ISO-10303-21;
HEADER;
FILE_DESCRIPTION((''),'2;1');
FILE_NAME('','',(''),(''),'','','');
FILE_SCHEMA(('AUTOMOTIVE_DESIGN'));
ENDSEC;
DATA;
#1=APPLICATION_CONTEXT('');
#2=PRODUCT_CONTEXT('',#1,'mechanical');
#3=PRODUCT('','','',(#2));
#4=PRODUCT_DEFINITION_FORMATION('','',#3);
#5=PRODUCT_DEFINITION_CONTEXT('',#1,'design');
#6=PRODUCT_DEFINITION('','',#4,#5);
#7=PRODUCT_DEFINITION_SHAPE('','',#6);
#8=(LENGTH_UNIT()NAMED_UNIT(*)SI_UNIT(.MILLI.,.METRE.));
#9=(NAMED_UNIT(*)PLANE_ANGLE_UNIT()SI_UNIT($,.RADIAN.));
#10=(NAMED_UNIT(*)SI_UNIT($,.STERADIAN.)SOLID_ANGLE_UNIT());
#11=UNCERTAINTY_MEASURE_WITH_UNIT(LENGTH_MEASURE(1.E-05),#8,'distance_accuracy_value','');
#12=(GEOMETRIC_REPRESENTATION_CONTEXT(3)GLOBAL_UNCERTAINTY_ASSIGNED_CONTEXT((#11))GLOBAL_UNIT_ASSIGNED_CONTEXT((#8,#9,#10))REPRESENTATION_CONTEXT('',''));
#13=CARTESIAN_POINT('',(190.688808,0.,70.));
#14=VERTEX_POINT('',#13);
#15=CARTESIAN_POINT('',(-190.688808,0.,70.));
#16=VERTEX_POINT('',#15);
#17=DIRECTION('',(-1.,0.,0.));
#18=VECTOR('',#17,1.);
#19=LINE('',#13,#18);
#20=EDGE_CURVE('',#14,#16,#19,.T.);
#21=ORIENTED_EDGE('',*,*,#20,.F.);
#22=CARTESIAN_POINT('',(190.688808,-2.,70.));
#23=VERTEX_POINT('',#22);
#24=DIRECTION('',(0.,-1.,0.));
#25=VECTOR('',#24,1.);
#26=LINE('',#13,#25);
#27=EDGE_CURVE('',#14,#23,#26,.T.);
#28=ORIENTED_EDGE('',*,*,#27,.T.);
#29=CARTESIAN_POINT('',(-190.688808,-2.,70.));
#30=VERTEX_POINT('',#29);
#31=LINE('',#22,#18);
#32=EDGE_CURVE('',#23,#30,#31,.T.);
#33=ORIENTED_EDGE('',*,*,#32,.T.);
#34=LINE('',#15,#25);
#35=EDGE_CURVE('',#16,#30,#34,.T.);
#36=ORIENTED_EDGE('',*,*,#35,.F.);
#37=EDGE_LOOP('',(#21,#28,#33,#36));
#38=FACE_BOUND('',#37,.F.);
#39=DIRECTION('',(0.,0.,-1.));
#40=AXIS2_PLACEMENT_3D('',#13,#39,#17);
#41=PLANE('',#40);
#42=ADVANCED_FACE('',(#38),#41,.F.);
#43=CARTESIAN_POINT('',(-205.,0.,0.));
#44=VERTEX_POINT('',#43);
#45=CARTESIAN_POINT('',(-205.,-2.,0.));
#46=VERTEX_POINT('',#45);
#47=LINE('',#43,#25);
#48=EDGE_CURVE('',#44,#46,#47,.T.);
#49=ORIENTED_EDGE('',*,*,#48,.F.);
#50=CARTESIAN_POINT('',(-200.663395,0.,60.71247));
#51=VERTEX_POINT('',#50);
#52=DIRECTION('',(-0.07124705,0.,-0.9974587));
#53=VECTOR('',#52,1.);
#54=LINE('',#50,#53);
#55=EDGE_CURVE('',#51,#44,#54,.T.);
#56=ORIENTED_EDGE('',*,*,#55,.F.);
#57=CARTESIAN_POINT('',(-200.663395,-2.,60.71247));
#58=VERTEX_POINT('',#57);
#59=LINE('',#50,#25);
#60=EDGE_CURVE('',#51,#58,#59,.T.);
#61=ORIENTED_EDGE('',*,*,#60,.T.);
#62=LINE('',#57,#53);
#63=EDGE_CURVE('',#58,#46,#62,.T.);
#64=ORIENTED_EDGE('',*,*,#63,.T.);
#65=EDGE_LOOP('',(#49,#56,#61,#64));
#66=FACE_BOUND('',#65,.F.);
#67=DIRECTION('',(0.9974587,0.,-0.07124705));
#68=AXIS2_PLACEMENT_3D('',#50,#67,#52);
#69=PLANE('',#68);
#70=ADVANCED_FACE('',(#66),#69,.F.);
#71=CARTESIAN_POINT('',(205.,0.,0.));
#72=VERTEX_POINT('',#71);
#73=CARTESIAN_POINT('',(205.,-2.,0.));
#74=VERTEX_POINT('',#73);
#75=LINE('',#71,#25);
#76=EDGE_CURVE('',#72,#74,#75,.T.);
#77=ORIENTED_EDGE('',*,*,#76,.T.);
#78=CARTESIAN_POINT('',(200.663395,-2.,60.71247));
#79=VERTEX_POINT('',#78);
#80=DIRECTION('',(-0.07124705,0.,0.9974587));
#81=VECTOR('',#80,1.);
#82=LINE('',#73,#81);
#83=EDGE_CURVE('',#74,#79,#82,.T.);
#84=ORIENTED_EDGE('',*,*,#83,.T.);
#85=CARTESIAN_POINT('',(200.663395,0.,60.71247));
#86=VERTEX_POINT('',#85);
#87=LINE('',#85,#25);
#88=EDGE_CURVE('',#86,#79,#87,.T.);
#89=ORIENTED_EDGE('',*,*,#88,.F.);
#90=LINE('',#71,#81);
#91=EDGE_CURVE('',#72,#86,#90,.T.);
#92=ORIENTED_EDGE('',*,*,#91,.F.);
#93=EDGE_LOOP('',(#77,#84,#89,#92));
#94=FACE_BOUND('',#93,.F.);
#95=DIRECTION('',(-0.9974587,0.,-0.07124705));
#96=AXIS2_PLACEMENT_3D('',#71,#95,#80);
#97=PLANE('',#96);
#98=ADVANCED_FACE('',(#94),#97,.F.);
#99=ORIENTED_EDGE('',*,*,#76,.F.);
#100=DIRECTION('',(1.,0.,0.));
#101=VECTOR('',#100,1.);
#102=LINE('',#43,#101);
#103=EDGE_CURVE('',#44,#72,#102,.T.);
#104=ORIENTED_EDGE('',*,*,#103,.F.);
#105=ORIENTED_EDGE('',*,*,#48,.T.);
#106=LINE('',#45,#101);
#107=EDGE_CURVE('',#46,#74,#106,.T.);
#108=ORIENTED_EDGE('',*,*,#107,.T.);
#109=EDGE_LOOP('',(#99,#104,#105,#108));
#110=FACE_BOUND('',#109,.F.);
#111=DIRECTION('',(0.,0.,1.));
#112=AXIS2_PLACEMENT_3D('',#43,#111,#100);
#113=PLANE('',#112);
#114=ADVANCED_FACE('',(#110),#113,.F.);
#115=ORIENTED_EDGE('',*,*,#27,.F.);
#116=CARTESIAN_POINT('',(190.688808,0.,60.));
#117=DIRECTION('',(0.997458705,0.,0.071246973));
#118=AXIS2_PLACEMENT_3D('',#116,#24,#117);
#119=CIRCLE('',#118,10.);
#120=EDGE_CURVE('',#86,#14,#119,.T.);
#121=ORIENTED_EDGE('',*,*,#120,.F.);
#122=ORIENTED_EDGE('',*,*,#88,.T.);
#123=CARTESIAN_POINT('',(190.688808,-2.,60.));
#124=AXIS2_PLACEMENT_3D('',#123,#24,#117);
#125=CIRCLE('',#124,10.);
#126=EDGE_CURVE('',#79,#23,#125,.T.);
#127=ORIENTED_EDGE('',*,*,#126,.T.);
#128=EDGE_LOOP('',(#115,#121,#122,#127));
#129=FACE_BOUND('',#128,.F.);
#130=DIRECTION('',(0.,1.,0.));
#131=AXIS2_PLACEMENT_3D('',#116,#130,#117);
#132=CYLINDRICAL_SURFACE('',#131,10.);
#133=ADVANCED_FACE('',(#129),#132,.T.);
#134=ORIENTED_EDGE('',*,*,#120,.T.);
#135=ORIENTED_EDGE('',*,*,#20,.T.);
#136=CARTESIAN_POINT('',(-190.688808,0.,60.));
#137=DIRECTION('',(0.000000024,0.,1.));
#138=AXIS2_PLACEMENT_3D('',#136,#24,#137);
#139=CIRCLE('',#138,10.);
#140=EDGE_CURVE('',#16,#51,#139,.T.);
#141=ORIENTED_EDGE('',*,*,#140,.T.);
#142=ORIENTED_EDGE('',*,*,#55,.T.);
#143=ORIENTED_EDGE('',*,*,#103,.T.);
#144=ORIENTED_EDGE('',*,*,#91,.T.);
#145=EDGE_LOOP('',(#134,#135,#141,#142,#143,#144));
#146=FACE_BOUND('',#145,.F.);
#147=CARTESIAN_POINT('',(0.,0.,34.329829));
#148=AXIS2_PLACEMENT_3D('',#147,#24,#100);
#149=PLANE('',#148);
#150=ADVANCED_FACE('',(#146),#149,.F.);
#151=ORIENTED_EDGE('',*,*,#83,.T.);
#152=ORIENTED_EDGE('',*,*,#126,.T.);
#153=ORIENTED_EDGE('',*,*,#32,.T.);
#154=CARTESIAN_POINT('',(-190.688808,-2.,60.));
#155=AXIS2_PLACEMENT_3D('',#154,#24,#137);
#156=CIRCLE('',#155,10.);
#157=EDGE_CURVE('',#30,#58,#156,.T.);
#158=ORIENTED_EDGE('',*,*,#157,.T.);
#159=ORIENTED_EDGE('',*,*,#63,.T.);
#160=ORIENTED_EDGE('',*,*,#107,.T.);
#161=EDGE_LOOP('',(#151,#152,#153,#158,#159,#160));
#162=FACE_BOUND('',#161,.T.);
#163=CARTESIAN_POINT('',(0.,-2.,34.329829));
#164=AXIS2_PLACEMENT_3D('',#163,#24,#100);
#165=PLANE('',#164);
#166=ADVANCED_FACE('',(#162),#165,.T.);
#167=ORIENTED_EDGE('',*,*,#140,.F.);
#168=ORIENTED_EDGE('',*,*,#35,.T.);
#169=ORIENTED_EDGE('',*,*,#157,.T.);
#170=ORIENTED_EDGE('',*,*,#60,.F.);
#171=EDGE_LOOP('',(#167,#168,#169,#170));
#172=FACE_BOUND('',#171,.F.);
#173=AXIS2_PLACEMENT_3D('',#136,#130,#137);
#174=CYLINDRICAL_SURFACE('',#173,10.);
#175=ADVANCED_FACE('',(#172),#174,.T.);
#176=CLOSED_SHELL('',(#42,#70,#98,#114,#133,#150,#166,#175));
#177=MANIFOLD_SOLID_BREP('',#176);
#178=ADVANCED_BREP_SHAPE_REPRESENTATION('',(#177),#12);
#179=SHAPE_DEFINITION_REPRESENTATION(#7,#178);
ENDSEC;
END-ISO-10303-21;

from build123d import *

# Parameters (mm, degrees)
F1_DEPTH = 2


with BuildPart() as f1:
    # F0 (on Front) → F1 (new body)
    with BuildSketch(Plane.XZ):
        with BuildLine():
            Line((-205, 0), (0, 0))
            Line((0, 0), (205, 0))
            Line((205, 0), (200.663395, 60.71247))
            ThreePointArc((200.663395, 60.71247), (197.503325, 67.318631), (190.688808, 70))
            Line((190.688808, 70), (0, 70))
            Line((0, 70), (-190.688808, 70))
            ThreePointArc((-190.688808, 70), (-197.503325, 67.318631), (-200.663395, 60.71247))
            Line((-200.663395, 60.71247), (-205, 0))
        make_face()
    extrude(amount=F1_DEPTH)


solid = f1.part
